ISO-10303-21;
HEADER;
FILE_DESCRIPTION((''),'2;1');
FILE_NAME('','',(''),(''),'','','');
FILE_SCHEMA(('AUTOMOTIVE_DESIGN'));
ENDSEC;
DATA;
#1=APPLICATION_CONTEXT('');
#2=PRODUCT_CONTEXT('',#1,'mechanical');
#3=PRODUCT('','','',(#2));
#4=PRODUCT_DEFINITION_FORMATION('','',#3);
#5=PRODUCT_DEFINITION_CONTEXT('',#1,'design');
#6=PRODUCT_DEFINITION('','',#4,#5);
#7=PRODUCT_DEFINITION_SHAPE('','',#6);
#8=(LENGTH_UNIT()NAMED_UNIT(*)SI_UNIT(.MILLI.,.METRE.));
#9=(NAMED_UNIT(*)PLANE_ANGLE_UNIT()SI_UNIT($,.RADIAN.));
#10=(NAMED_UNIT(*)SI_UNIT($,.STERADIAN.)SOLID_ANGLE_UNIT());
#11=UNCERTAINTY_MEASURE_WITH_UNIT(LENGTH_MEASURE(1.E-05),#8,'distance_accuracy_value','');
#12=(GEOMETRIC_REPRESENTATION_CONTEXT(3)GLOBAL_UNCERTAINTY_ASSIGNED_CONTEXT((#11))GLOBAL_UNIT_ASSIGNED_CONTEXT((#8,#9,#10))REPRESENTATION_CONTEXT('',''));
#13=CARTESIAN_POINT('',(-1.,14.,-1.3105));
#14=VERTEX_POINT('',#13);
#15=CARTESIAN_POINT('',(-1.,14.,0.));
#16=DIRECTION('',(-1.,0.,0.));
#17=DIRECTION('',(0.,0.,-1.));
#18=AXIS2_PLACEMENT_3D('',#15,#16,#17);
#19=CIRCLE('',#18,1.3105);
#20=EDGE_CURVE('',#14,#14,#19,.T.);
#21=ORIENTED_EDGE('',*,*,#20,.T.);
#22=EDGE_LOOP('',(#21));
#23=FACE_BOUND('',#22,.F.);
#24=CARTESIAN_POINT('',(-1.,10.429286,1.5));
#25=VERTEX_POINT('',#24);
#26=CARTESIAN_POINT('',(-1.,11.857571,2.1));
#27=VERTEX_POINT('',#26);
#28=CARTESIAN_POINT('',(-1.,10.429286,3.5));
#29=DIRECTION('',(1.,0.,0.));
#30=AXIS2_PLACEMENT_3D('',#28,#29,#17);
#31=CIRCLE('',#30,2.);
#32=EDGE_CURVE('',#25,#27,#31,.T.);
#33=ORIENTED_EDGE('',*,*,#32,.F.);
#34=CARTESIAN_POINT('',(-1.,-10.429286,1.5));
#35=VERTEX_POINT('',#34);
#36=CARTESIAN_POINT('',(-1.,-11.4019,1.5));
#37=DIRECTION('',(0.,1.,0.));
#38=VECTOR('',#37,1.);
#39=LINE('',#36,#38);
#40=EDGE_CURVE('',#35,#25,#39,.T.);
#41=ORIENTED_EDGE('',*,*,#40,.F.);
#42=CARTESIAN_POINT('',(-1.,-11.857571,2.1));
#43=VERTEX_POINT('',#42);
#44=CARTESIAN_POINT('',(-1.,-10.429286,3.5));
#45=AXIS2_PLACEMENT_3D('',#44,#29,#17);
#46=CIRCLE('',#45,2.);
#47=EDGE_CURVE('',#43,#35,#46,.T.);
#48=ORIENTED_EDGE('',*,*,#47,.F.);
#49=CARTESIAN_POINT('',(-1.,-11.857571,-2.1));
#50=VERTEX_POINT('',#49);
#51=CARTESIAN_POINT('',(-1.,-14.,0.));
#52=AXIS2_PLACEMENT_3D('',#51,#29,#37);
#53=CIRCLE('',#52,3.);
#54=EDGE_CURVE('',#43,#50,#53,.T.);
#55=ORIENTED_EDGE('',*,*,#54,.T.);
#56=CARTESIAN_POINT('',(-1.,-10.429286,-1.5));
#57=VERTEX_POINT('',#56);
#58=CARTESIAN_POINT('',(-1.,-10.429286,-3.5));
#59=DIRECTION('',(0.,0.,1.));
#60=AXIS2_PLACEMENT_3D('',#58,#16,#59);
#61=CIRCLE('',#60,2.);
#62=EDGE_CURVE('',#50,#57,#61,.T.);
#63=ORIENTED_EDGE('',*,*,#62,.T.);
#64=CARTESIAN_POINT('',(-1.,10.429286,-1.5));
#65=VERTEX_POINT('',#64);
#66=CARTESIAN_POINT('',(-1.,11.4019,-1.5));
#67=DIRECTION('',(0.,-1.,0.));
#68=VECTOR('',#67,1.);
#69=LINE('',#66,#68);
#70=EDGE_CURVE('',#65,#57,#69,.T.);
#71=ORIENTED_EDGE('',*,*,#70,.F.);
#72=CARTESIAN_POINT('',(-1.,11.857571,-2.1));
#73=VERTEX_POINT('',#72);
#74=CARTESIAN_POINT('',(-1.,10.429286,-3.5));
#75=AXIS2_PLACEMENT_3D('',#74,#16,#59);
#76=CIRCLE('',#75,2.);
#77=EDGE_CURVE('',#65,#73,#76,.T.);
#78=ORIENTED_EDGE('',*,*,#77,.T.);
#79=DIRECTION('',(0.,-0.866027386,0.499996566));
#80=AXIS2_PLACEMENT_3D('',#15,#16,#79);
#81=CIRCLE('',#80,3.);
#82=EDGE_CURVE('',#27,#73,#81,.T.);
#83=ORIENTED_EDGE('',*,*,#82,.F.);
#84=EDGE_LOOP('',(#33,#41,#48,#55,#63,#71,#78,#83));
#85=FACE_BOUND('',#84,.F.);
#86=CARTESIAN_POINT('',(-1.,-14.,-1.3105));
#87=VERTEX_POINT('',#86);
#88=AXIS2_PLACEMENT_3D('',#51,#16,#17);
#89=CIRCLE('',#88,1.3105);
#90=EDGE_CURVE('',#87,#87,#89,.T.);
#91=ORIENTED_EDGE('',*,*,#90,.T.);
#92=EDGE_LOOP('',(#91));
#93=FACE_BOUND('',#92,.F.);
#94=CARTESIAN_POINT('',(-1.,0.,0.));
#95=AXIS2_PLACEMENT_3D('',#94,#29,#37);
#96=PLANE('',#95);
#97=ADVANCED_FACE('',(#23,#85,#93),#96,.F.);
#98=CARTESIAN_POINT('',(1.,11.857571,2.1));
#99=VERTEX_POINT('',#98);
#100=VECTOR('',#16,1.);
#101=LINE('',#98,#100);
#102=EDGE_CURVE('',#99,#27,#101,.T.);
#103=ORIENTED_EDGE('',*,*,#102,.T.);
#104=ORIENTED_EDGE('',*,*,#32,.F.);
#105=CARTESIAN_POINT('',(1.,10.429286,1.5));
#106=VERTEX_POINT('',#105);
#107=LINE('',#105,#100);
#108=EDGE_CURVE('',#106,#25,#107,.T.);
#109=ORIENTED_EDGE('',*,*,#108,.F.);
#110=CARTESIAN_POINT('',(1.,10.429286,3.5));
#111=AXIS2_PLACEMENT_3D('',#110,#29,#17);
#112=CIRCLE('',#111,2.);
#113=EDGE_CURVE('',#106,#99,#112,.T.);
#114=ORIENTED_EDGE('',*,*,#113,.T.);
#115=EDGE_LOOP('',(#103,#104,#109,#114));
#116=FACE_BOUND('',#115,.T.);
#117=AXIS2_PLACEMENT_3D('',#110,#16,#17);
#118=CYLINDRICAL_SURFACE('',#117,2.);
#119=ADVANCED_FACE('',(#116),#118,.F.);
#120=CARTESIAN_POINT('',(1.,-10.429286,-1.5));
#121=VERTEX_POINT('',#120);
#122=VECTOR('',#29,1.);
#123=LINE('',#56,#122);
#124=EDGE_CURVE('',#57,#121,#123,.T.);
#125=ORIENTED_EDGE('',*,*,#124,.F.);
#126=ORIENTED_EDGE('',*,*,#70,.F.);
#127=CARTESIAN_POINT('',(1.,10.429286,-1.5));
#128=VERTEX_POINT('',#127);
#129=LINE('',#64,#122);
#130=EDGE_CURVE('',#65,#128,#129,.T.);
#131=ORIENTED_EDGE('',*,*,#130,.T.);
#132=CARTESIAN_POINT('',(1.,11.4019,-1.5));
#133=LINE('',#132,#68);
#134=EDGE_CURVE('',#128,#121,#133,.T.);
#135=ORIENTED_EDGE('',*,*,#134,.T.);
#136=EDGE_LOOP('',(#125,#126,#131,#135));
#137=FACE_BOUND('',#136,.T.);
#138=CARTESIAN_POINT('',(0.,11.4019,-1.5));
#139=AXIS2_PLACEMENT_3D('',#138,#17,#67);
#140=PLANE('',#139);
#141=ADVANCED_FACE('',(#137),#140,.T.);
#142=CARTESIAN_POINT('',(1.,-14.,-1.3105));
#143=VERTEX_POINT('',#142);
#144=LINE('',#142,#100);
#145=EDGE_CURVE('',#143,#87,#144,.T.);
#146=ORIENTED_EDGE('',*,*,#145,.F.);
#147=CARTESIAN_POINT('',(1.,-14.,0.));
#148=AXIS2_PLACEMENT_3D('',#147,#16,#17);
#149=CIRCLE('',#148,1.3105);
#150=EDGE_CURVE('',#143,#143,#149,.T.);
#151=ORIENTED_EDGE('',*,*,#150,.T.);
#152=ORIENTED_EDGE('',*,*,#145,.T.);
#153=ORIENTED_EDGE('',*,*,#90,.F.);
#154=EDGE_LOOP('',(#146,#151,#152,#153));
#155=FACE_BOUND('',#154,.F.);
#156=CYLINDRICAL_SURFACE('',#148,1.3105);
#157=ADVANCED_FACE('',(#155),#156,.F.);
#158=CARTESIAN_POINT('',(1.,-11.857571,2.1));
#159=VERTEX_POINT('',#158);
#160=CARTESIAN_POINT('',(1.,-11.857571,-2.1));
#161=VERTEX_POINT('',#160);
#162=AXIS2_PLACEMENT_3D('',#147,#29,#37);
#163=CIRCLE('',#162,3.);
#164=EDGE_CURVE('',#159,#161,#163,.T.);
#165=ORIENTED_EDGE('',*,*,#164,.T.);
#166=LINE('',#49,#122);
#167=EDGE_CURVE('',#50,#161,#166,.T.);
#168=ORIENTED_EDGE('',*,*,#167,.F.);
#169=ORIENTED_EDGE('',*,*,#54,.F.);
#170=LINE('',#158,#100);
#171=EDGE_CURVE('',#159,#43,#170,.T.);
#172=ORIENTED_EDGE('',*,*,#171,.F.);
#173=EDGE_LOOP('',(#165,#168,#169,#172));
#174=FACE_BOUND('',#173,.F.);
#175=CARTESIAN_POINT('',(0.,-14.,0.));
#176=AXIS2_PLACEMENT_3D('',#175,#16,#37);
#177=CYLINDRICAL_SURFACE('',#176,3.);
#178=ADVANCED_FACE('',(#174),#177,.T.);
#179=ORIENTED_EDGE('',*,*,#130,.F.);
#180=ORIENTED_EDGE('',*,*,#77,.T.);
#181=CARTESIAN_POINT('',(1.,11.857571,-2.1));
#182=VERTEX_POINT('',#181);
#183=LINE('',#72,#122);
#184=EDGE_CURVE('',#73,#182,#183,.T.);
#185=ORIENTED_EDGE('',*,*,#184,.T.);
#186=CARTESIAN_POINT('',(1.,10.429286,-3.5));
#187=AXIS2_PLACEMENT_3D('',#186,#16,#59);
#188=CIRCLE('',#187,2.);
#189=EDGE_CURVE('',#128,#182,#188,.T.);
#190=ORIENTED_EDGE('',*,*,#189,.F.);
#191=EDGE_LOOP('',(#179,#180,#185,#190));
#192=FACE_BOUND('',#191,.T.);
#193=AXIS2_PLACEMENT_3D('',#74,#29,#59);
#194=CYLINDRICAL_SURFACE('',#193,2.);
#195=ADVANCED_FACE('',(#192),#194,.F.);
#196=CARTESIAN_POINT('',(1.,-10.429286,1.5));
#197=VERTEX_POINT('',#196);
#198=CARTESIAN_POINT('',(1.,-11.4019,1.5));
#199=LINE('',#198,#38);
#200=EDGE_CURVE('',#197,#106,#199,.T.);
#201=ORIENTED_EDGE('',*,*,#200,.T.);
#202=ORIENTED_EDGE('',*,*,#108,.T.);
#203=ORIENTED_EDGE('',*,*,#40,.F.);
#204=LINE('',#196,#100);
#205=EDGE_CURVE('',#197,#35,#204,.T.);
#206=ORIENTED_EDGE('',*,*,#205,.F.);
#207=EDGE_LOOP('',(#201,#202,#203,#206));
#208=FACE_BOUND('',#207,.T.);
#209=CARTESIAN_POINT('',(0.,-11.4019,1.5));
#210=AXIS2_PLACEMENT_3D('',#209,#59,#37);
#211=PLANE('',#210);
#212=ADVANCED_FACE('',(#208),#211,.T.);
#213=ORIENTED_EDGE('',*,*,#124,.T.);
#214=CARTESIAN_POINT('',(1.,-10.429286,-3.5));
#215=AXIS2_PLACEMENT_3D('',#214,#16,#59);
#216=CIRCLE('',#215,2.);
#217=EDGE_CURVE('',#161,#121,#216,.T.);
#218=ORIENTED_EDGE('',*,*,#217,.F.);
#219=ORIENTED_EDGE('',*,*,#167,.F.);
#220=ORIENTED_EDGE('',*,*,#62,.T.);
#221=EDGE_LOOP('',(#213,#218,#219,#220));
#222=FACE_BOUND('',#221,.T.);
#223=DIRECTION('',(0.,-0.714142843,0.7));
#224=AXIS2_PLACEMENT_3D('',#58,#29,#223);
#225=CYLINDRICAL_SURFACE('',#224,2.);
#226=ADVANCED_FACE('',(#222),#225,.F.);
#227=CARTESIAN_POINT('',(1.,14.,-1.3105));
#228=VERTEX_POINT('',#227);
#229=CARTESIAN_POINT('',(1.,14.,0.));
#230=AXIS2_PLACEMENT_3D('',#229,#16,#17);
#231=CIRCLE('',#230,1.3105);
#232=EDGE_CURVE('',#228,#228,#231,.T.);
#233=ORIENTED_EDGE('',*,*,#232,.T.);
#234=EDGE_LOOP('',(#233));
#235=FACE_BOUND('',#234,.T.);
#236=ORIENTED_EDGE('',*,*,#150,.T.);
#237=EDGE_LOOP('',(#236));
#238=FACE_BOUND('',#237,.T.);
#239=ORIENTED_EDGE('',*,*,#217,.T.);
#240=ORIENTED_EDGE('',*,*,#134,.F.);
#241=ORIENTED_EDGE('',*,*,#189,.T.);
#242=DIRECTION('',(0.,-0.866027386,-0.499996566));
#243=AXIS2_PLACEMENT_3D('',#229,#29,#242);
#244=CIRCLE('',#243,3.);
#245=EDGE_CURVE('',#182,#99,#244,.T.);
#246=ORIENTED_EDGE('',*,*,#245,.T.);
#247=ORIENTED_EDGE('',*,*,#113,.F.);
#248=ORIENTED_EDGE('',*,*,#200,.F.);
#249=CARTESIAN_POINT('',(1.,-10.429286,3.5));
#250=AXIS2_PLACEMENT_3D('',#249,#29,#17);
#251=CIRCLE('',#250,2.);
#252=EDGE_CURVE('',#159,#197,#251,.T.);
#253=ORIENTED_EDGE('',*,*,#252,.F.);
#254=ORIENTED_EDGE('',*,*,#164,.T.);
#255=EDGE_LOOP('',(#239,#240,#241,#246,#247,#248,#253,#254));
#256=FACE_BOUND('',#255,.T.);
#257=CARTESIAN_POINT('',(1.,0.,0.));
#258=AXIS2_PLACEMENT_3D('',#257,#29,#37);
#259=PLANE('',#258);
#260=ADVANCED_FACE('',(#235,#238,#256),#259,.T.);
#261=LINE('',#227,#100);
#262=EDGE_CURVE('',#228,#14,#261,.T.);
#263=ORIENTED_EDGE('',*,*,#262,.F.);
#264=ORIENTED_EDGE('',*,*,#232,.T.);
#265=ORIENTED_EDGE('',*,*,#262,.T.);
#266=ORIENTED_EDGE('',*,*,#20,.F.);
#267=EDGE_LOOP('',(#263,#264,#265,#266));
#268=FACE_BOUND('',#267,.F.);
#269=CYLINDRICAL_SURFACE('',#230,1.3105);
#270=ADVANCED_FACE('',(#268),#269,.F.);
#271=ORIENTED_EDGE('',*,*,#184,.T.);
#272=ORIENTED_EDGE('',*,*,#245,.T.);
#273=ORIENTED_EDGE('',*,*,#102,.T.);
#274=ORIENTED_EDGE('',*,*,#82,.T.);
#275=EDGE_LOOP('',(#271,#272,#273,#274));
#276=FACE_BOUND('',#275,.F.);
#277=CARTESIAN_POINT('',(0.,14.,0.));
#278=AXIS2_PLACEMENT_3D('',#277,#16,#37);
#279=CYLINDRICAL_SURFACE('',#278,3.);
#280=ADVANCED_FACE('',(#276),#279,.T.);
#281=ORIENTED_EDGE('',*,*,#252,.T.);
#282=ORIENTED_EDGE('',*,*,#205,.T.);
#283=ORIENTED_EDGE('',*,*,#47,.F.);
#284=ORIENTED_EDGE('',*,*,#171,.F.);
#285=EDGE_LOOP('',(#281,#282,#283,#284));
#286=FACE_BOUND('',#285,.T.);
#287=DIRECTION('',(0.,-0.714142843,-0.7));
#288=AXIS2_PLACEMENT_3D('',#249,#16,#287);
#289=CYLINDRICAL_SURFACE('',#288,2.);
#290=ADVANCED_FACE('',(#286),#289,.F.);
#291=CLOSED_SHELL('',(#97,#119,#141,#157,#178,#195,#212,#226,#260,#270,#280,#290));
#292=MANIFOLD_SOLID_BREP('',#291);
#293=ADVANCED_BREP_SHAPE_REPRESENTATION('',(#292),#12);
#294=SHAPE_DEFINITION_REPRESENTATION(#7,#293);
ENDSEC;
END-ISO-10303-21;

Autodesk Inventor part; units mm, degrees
ref_plane "YZ Plane" through (0, 0, 0) normal (1, 0, 0) x (0, 1, 0)
ref_plane "XZ Plane" through (0, 0, 0) normal (0, 1, 0) x (-1, 0, 0)
ref_plane "XY Plane" through (0, 0, 0) normal (0, 0, 1) x (1, 0, 0)
sketch "Sketch1" plane through (0, 0, 0) normal (1, 0, 0) x (0, 1, 0)
  line L0 (-14, 0) -> (14, 0) construction
  circle A0 centre (-14, 0) radius 3
  circle A1 centre (14, 0) radius 3
  line L1 (-11.4019, 1.5) -> (11.4019, 1.5)
  line L2 (11.4019, -1.5) -> (-11.4019, -1.5)
  point P0 (0, 0)
  point P1 (0, 0)
  dimension "d0" = 28
  dimension "d1" = 6
  dimension "d2" = 3
extrude "Extrusion1" add sketch "Sketch1" along normal mid plane 2
fillet "Fillet1" radius 2 4 edges at (0, -11.4019, 1.5) (0, -11.4019, -1.5) (0, 11.4019, -1.5) (0, 11.4019, 1.5)
sketch "Sketch2" plane through (1, 0, 0) normal (1, 0, 0) x (0, 0, -1)
  arc A0 (-2.1, -11.8576) -> (2.1, -11.8576) centre (0, -14) ccw projected
  arc A1 (1.5, -10.4293) -> (2.1, -11.8576) centre (3.5, -10.4293) ccw projected
  line L0 (1.5, -10.4293) -> (1.5, 10.4293) projected
  arc A2 (2.1, 11.8576) -> (1.5, 10.4293) centre (3.5, 10.4293) ccw projected
  arc A3 (2.1, 11.8576) -> (-2.1, 11.8576) centre (0, 14) ccw projected
  arc A4 (-1.5, 10.4293) -> (-2.1, 11.8576) centre (-3.5, 10.4293) ccw projected
  line L1 (-1.5, 10.4293) -> (-1.5, -10.4293) projected
  arc A5 (-2.1, -11.8576) -> (-1.5, -10.4293) centre (-3.5, -10.4293) ccw projected
  point P0 (0, 0)
hole "Hole1" at (1, -14, 0) at (1, 14, 0) direction (-1, 0, 0) diameter 2.621 end through all thread size "M3x0.35" class "6H" standard "ANSI Metric M Profile"
properties part number "Backplane_Nut" material "Aluminum 6061"
